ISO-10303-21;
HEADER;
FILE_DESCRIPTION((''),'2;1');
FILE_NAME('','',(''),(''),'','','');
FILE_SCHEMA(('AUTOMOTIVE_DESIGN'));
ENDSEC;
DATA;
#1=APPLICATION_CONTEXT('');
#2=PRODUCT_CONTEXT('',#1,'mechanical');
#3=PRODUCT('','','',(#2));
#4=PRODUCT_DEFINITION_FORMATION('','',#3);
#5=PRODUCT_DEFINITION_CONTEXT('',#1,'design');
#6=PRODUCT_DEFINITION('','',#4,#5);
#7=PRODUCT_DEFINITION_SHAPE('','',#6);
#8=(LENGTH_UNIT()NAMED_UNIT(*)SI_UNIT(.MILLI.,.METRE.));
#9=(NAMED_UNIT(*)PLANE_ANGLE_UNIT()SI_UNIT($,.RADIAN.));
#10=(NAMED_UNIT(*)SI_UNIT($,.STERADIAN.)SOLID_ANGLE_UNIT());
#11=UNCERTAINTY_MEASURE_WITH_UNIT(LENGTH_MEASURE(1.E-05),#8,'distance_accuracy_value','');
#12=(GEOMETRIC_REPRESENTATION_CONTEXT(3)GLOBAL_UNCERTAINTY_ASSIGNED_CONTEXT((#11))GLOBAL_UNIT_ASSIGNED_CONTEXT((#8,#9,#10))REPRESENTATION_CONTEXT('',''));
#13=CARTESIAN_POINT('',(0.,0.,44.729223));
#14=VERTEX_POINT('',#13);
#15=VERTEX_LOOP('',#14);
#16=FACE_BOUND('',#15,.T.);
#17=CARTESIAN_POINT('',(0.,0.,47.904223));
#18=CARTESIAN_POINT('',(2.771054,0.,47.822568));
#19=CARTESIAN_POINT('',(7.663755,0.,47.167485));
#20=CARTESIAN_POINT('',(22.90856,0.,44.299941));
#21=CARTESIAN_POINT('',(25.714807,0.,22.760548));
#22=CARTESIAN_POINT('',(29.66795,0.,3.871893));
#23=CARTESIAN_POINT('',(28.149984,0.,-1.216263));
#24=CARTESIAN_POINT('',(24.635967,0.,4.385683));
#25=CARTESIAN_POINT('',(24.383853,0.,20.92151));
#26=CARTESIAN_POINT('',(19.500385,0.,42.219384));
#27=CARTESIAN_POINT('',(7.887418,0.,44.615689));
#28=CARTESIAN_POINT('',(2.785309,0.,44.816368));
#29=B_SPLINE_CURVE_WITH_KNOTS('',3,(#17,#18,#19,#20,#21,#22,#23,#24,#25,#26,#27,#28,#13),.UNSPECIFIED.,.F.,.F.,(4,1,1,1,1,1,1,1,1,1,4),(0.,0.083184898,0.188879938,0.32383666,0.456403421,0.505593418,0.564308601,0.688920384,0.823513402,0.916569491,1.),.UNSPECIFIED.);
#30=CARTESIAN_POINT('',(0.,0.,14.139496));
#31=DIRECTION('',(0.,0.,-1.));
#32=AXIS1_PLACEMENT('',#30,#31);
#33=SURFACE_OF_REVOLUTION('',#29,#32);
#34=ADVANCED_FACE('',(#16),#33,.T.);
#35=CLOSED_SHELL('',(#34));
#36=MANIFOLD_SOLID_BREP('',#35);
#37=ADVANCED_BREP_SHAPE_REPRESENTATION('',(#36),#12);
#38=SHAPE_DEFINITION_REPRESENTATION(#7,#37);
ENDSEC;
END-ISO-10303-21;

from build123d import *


with BuildPart() as f2:
    # F0 (on Front) → F2 (revolve)
    with BuildSketch(Plane.XZ):
        with BuildLine():
            add(Edge.make_bspline(
                [(0, 47.9042233655), (2.7710544698, 47.8225682973), (7.6637546596, 47.167485282), (22.9085597739, 44.2999413514), (25.7148072146, 22.7605475819), (29.6679498102, 3.8718926874), (28.1499836605, -1.216263296), (24.6359674765, 4.38568346), (24.3838527252, 20.9215104063), (19.5003848319, 42.2193844624), (7.8874179813, 44.615689317), (2.7853094998, 44.8163679441), (0, 44.7292233655)],
                knots=[0, 0, 0, 0, 0.0831848976, 0.1888799379, 0.32383666, 0.4564034214, 0.5055934183, 0.5643086015, 0.6889203841, 0.8235134016, 0.9165694913, 1, 1, 1, 1], degree=3))
            Line((0, 47.9042233655), (0, 44.7292233655))
        make_face()
    revolve(axis=Axis((0, 0, 14.13949579), (0, 0, -1)))


solid = f2.part
